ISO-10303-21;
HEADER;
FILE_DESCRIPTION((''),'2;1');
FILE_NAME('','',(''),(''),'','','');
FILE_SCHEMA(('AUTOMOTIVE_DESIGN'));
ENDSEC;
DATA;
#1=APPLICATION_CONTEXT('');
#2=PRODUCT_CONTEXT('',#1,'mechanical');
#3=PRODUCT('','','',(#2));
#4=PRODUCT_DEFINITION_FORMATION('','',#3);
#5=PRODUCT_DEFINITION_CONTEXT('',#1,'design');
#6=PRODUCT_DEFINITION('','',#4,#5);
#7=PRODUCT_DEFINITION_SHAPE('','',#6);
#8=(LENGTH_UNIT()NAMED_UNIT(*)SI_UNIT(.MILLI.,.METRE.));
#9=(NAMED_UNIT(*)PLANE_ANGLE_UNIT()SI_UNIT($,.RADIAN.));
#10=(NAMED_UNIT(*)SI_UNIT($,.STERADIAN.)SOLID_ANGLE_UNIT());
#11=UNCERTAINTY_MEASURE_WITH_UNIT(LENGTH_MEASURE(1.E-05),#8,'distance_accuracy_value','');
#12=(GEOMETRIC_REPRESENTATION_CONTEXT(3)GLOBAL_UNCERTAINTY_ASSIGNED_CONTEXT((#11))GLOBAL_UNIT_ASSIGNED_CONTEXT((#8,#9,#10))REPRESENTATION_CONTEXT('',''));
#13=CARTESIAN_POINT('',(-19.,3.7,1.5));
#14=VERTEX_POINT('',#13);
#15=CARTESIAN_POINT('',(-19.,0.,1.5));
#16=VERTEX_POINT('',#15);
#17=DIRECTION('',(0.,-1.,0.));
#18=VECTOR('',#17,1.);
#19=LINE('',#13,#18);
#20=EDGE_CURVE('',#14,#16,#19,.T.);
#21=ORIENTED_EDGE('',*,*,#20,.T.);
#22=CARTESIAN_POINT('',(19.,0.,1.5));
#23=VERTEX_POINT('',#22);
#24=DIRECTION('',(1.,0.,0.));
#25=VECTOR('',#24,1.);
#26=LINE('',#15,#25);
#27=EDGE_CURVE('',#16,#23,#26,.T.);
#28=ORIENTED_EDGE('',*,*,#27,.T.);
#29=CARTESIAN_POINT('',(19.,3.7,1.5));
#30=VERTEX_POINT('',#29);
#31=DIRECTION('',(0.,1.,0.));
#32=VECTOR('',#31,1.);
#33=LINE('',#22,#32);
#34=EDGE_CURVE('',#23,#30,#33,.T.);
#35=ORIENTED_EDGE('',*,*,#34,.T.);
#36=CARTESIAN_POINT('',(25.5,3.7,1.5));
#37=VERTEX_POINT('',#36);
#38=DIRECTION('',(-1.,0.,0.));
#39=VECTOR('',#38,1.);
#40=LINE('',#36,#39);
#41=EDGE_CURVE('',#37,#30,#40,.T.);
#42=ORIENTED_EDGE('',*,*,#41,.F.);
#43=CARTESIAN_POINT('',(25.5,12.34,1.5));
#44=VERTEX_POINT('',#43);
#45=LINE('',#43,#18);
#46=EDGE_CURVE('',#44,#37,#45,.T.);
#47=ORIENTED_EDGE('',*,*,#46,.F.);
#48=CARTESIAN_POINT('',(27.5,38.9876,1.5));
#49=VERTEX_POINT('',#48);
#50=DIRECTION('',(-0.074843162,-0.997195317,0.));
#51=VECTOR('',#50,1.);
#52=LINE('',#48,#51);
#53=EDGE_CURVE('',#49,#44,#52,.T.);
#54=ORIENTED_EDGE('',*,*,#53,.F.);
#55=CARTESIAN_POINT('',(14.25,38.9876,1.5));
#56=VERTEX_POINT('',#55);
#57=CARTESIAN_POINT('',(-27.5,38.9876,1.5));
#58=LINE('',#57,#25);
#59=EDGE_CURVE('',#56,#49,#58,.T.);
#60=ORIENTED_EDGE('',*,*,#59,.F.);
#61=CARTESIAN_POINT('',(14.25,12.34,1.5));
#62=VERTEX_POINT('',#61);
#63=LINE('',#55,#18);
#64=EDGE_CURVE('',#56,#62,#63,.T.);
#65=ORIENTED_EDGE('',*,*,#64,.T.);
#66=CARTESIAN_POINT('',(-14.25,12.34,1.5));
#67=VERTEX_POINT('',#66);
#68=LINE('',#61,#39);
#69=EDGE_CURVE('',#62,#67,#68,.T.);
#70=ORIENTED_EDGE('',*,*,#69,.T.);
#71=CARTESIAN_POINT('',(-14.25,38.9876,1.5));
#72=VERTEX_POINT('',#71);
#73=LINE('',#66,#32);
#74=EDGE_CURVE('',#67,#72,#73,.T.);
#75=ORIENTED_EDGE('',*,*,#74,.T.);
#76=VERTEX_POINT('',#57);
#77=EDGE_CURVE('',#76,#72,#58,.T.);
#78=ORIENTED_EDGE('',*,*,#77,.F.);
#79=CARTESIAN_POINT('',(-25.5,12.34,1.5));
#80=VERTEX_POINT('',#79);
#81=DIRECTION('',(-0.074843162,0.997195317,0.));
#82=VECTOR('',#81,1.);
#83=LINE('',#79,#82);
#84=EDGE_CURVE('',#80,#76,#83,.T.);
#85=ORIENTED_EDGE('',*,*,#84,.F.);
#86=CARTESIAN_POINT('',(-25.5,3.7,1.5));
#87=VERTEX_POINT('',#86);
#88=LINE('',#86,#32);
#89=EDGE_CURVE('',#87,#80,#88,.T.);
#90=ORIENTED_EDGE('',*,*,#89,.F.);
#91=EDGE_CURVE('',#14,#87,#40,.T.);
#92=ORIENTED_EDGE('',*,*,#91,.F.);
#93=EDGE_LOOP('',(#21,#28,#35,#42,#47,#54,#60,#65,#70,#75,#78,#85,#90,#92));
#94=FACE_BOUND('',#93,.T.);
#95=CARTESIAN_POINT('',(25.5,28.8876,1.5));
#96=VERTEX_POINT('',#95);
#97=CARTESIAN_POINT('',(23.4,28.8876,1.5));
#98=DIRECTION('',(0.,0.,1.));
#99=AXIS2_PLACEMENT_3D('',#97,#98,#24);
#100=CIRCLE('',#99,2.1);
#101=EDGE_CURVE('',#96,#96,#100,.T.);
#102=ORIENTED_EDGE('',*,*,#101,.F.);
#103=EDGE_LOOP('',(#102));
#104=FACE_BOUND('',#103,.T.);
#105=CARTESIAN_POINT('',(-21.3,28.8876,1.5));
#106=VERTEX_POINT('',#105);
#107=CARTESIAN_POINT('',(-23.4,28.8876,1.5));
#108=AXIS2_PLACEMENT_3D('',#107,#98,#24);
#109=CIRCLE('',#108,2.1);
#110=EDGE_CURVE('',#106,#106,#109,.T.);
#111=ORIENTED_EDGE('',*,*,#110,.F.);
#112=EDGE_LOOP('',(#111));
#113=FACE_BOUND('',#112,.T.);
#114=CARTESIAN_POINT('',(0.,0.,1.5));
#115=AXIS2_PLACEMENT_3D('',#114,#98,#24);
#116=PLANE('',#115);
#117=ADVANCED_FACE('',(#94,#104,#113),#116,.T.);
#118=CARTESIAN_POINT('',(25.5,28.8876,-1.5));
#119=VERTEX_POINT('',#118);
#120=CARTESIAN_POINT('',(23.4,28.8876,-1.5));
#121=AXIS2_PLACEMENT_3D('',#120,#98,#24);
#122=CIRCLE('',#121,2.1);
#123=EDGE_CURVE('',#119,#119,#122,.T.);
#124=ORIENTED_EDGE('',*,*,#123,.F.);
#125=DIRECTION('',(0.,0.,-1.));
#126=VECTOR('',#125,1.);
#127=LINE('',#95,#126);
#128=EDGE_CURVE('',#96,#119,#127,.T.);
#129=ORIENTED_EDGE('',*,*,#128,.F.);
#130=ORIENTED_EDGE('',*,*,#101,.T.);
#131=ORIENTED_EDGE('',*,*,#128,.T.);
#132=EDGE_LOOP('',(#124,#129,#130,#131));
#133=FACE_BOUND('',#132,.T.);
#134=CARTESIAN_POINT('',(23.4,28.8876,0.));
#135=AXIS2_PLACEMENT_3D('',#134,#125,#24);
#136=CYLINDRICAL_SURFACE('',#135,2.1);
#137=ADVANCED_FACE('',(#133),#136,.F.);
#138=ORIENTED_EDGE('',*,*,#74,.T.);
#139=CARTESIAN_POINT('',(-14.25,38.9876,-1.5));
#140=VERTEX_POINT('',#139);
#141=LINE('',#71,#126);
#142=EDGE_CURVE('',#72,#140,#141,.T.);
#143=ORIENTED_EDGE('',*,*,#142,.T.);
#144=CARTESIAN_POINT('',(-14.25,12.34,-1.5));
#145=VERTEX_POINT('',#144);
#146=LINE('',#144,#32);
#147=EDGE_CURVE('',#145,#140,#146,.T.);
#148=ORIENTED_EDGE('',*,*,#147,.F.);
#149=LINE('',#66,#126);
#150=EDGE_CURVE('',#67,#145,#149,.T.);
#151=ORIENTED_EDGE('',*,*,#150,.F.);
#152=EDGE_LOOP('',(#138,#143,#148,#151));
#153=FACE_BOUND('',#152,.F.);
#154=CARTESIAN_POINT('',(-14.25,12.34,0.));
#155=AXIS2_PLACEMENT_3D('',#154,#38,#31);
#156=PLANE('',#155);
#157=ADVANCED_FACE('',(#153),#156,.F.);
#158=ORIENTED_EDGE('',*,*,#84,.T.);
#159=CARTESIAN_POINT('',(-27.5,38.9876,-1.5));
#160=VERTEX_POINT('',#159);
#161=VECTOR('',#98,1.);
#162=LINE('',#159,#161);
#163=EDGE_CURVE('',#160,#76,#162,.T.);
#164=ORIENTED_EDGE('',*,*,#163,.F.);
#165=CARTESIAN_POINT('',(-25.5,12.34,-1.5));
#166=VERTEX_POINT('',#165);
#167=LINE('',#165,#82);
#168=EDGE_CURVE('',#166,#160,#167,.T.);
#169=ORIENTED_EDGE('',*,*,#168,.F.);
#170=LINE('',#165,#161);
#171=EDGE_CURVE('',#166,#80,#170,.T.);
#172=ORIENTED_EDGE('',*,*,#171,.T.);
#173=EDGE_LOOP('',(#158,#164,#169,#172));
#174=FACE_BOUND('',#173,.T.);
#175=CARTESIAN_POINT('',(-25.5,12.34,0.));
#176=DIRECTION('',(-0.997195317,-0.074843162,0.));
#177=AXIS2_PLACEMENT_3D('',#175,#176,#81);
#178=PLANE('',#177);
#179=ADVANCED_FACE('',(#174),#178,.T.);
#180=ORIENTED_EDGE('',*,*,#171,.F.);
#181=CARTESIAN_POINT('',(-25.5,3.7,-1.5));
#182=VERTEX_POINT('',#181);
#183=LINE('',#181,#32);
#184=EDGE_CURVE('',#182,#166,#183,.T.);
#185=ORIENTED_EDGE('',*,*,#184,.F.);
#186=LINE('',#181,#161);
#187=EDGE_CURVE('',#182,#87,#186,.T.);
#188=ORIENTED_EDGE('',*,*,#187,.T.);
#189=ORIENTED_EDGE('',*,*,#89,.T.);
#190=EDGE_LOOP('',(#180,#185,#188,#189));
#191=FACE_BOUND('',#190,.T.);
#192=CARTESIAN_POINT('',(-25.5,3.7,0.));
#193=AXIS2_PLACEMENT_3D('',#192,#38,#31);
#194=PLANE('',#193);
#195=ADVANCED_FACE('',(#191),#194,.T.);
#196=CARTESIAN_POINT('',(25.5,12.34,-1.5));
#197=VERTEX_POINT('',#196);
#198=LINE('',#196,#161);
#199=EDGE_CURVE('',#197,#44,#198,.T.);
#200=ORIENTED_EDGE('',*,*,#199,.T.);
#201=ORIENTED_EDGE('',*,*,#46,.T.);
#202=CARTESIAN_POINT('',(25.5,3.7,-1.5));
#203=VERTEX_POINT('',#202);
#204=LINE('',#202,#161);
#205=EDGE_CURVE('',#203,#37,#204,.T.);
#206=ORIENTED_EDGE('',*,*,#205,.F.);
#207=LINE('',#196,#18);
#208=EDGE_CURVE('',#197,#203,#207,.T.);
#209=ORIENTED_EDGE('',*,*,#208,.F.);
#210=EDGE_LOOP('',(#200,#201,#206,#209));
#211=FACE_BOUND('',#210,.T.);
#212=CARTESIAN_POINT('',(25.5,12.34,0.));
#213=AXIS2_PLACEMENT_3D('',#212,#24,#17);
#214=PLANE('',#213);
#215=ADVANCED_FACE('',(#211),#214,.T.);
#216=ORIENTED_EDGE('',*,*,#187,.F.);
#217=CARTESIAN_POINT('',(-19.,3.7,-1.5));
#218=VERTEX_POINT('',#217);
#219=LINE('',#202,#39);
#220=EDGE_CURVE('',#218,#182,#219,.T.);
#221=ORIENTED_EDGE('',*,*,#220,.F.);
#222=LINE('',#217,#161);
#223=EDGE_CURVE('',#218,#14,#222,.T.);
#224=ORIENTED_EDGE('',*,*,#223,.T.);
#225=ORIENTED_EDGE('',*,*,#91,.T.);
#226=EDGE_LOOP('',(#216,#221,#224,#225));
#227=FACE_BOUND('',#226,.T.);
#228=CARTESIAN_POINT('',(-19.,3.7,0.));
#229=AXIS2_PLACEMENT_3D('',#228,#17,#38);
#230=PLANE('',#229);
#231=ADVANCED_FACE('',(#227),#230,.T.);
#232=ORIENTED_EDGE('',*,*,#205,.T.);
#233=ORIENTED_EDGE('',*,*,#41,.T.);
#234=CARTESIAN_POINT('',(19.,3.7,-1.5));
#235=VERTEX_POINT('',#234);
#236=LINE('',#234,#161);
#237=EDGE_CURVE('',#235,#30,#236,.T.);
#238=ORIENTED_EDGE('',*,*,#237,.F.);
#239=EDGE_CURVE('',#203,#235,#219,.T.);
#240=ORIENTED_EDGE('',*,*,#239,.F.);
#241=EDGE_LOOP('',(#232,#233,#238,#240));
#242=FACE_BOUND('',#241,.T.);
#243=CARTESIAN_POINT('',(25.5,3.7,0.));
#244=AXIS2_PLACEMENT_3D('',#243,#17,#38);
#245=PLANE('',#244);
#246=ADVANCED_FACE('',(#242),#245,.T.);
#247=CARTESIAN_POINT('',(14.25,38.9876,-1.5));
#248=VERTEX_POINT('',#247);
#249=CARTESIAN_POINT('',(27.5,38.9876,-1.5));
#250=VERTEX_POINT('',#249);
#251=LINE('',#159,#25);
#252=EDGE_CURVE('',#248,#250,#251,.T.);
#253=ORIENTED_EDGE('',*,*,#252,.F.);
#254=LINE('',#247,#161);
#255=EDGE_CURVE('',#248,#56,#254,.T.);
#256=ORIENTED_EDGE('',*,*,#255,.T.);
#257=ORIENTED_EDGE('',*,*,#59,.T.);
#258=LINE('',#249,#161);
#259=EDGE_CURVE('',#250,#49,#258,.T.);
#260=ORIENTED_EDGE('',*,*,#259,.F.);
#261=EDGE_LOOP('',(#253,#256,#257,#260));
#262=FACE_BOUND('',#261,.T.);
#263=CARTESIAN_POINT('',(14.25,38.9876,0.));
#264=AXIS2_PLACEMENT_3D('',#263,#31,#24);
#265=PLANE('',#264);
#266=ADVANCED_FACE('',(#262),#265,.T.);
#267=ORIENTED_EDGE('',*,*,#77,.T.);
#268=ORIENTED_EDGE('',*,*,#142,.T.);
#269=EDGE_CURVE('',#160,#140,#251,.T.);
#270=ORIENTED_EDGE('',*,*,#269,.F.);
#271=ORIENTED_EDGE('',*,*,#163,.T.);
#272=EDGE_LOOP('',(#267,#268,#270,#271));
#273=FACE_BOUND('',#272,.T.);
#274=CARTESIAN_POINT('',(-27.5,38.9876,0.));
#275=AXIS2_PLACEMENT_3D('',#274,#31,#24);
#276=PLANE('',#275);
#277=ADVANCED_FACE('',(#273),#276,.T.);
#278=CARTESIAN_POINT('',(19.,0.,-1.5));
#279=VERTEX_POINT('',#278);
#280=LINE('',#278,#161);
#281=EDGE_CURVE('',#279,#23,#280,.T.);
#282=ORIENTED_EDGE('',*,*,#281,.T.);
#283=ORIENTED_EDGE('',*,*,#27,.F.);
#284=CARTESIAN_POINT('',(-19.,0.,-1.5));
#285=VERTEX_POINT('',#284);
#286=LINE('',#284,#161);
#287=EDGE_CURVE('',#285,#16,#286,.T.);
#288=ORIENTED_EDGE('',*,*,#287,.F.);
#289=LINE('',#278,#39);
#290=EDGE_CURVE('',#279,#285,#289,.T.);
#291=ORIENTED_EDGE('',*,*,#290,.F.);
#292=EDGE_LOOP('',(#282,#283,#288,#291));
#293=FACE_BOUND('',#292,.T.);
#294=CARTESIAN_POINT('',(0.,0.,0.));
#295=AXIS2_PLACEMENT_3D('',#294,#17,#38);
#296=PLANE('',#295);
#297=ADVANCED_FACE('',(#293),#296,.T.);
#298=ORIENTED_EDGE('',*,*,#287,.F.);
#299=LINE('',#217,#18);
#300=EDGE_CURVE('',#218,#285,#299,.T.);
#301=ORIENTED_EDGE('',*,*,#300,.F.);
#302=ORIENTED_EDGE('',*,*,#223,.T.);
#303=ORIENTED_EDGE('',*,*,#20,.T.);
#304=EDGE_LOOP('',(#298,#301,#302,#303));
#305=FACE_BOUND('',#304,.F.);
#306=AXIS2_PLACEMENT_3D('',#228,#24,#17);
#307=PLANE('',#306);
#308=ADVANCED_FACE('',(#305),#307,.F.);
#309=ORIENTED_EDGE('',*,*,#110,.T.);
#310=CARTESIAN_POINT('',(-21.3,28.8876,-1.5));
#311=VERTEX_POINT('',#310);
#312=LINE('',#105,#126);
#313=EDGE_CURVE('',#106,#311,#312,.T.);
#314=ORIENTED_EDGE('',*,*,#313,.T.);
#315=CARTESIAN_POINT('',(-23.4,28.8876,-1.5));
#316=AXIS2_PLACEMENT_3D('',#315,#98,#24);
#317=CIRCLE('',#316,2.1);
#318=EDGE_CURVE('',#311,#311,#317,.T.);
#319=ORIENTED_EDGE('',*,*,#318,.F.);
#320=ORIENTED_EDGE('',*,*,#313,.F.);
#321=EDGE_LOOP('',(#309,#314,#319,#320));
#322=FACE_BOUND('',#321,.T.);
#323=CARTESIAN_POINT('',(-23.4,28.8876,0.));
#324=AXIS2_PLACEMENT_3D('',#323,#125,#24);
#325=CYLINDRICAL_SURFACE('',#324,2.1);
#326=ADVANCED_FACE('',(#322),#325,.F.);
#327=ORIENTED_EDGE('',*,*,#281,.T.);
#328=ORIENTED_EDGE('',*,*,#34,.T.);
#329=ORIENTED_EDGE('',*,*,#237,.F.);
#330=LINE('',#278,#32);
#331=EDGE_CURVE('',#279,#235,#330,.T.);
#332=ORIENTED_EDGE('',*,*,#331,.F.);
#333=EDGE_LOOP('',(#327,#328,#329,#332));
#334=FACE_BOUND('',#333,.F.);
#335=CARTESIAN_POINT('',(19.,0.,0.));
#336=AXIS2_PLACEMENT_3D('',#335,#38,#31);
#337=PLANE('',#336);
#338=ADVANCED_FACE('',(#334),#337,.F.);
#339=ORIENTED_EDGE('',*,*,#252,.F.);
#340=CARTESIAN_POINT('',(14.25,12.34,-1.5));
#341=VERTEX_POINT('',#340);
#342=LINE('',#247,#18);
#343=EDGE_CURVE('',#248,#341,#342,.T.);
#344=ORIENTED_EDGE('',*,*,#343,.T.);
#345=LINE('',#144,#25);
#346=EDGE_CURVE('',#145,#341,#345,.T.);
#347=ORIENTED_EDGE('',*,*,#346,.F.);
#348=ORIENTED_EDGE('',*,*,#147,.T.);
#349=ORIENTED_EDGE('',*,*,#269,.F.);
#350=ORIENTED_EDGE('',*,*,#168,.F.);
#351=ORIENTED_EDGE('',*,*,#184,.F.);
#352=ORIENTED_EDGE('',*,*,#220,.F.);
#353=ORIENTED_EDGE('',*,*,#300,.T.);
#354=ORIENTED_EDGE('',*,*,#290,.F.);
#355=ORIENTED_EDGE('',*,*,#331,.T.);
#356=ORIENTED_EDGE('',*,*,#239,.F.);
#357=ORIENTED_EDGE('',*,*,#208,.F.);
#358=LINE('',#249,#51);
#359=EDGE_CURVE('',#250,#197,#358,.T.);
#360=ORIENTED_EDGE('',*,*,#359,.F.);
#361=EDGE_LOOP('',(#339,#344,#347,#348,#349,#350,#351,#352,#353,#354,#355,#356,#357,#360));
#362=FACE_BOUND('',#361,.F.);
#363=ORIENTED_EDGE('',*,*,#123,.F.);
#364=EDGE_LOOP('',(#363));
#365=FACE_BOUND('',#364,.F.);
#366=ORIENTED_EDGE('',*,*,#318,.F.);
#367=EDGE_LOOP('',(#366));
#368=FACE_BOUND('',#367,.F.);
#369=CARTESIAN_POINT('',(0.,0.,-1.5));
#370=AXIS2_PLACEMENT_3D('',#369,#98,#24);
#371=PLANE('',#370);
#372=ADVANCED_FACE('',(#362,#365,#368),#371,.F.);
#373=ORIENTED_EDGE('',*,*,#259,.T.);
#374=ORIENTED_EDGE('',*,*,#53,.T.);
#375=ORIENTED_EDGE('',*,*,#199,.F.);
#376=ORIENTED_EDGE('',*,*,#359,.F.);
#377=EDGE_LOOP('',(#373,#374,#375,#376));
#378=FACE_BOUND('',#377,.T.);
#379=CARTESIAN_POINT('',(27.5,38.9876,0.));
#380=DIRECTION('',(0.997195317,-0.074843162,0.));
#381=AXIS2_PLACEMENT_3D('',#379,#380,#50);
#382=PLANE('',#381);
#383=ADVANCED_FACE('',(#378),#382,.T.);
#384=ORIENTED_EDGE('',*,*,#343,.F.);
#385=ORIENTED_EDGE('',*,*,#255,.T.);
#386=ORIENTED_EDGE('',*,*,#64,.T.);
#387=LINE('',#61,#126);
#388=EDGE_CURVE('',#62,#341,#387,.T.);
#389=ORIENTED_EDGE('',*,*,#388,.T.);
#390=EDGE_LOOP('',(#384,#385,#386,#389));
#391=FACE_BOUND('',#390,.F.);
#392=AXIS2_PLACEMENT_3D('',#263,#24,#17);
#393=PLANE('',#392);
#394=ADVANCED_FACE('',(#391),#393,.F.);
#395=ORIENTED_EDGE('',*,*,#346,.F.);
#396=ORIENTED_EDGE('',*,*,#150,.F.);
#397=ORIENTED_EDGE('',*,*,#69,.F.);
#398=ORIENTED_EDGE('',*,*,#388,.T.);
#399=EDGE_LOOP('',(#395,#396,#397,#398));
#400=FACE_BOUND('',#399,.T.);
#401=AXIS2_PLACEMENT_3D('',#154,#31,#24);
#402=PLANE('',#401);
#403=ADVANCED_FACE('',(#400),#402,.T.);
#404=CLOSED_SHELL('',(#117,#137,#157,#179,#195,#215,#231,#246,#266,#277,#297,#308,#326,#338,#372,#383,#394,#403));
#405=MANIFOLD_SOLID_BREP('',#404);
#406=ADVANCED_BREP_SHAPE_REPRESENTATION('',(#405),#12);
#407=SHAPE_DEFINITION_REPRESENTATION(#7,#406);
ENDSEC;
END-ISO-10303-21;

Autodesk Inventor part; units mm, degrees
ref_plane "YZ Plane" through (0, 0, 0) normal (1, 0, 0) x (0, 1, 0)
ref_plane "XZ Plane" through (0, 0, 0) normal (0, 1, 0) x (-1, 0, 0)
ref_plane "XY Plane" through (0, 0, 0) normal (0, 0, 1) x (1, 0, 0)
sketch "Sketch1" plane through (0, 0, 0) normal (0, 0, 1) x (1, 0, 0)
  line L0 (-27.5, 38.9876) -> (27.5, 38.9876)
  line L1 (27.5, 38.9876) -> (27.5, 0)
  line L2 (27.5, 0) -> (-27.5, 0)
  line L3 (-27.5, 0) -> (-27.5, 38.9876)
  line L4 (-19, 0) -> (19, 0)
  line L5 (19, 0) -> (19, 3.7)
  line L6 (19, 3.7) -> (-19, 3.7)
  line L7 (-19, 3.7) -> (-19, 0)
  line L8 (-25.5, 12.34) -> (25.5, 12.34)
  line L9 (25.5, 12.34) -> (25.5, 3.7)
  line L10 (25.5, 3.7) -> (-25.5, 3.7)
  line L11 (-25.5, 3.7) -> (-25.5, 12.34)
  line L12 (27.5, 38.9876) -> (25.5, 12.34)
  line L13 (-25.5, 12.34) -> (-27.5, 38.9876)
  circle A0 centre (23.4, 28.8876) radius 2.1
  line L14 (0, 12.34) -> (0, 0)
  circle A1 centre (-23.4, 28.8876) radius 2.1
  line L15 (-14.25, 38.9876) -> (14.25, 38.9876)
  line L16 (14.25, 38.9876) -> (14.25, 12.34)
  line L17 (14.25, 12.34) -> (-14.25, 12.34)
  line L18 (-14.25, 12.34) -> (-14.25, 38.9876)
  point P0 (0, 6.1823)
  point P1 (0, 3.7)
  point P2 (0, 38.9876)
  point P3 (19, 0)
  dimension "d0" = 55
  dimension "d1" = 3.7
  dimension "d2" = 8.64
  dimension "d3" = 38
  dimension "d4" = 51
  dimension "d5" = 4.2
  dimension "d6" = 10.1
  dimension "d8" = 4.1
  dimension "d9" = 28.5
extrude "Extrusion1" add sketch "Sketch1" along normal mid plane 3 contours L0 L18 L8 L13 | L8 L14 L6 L10 L11 | L0 L12 L8 L16 | L7 L6 L14 L2 | L8 L9 L10 L6 L14 | L14 L6 L5 L2
properties part number "A"
